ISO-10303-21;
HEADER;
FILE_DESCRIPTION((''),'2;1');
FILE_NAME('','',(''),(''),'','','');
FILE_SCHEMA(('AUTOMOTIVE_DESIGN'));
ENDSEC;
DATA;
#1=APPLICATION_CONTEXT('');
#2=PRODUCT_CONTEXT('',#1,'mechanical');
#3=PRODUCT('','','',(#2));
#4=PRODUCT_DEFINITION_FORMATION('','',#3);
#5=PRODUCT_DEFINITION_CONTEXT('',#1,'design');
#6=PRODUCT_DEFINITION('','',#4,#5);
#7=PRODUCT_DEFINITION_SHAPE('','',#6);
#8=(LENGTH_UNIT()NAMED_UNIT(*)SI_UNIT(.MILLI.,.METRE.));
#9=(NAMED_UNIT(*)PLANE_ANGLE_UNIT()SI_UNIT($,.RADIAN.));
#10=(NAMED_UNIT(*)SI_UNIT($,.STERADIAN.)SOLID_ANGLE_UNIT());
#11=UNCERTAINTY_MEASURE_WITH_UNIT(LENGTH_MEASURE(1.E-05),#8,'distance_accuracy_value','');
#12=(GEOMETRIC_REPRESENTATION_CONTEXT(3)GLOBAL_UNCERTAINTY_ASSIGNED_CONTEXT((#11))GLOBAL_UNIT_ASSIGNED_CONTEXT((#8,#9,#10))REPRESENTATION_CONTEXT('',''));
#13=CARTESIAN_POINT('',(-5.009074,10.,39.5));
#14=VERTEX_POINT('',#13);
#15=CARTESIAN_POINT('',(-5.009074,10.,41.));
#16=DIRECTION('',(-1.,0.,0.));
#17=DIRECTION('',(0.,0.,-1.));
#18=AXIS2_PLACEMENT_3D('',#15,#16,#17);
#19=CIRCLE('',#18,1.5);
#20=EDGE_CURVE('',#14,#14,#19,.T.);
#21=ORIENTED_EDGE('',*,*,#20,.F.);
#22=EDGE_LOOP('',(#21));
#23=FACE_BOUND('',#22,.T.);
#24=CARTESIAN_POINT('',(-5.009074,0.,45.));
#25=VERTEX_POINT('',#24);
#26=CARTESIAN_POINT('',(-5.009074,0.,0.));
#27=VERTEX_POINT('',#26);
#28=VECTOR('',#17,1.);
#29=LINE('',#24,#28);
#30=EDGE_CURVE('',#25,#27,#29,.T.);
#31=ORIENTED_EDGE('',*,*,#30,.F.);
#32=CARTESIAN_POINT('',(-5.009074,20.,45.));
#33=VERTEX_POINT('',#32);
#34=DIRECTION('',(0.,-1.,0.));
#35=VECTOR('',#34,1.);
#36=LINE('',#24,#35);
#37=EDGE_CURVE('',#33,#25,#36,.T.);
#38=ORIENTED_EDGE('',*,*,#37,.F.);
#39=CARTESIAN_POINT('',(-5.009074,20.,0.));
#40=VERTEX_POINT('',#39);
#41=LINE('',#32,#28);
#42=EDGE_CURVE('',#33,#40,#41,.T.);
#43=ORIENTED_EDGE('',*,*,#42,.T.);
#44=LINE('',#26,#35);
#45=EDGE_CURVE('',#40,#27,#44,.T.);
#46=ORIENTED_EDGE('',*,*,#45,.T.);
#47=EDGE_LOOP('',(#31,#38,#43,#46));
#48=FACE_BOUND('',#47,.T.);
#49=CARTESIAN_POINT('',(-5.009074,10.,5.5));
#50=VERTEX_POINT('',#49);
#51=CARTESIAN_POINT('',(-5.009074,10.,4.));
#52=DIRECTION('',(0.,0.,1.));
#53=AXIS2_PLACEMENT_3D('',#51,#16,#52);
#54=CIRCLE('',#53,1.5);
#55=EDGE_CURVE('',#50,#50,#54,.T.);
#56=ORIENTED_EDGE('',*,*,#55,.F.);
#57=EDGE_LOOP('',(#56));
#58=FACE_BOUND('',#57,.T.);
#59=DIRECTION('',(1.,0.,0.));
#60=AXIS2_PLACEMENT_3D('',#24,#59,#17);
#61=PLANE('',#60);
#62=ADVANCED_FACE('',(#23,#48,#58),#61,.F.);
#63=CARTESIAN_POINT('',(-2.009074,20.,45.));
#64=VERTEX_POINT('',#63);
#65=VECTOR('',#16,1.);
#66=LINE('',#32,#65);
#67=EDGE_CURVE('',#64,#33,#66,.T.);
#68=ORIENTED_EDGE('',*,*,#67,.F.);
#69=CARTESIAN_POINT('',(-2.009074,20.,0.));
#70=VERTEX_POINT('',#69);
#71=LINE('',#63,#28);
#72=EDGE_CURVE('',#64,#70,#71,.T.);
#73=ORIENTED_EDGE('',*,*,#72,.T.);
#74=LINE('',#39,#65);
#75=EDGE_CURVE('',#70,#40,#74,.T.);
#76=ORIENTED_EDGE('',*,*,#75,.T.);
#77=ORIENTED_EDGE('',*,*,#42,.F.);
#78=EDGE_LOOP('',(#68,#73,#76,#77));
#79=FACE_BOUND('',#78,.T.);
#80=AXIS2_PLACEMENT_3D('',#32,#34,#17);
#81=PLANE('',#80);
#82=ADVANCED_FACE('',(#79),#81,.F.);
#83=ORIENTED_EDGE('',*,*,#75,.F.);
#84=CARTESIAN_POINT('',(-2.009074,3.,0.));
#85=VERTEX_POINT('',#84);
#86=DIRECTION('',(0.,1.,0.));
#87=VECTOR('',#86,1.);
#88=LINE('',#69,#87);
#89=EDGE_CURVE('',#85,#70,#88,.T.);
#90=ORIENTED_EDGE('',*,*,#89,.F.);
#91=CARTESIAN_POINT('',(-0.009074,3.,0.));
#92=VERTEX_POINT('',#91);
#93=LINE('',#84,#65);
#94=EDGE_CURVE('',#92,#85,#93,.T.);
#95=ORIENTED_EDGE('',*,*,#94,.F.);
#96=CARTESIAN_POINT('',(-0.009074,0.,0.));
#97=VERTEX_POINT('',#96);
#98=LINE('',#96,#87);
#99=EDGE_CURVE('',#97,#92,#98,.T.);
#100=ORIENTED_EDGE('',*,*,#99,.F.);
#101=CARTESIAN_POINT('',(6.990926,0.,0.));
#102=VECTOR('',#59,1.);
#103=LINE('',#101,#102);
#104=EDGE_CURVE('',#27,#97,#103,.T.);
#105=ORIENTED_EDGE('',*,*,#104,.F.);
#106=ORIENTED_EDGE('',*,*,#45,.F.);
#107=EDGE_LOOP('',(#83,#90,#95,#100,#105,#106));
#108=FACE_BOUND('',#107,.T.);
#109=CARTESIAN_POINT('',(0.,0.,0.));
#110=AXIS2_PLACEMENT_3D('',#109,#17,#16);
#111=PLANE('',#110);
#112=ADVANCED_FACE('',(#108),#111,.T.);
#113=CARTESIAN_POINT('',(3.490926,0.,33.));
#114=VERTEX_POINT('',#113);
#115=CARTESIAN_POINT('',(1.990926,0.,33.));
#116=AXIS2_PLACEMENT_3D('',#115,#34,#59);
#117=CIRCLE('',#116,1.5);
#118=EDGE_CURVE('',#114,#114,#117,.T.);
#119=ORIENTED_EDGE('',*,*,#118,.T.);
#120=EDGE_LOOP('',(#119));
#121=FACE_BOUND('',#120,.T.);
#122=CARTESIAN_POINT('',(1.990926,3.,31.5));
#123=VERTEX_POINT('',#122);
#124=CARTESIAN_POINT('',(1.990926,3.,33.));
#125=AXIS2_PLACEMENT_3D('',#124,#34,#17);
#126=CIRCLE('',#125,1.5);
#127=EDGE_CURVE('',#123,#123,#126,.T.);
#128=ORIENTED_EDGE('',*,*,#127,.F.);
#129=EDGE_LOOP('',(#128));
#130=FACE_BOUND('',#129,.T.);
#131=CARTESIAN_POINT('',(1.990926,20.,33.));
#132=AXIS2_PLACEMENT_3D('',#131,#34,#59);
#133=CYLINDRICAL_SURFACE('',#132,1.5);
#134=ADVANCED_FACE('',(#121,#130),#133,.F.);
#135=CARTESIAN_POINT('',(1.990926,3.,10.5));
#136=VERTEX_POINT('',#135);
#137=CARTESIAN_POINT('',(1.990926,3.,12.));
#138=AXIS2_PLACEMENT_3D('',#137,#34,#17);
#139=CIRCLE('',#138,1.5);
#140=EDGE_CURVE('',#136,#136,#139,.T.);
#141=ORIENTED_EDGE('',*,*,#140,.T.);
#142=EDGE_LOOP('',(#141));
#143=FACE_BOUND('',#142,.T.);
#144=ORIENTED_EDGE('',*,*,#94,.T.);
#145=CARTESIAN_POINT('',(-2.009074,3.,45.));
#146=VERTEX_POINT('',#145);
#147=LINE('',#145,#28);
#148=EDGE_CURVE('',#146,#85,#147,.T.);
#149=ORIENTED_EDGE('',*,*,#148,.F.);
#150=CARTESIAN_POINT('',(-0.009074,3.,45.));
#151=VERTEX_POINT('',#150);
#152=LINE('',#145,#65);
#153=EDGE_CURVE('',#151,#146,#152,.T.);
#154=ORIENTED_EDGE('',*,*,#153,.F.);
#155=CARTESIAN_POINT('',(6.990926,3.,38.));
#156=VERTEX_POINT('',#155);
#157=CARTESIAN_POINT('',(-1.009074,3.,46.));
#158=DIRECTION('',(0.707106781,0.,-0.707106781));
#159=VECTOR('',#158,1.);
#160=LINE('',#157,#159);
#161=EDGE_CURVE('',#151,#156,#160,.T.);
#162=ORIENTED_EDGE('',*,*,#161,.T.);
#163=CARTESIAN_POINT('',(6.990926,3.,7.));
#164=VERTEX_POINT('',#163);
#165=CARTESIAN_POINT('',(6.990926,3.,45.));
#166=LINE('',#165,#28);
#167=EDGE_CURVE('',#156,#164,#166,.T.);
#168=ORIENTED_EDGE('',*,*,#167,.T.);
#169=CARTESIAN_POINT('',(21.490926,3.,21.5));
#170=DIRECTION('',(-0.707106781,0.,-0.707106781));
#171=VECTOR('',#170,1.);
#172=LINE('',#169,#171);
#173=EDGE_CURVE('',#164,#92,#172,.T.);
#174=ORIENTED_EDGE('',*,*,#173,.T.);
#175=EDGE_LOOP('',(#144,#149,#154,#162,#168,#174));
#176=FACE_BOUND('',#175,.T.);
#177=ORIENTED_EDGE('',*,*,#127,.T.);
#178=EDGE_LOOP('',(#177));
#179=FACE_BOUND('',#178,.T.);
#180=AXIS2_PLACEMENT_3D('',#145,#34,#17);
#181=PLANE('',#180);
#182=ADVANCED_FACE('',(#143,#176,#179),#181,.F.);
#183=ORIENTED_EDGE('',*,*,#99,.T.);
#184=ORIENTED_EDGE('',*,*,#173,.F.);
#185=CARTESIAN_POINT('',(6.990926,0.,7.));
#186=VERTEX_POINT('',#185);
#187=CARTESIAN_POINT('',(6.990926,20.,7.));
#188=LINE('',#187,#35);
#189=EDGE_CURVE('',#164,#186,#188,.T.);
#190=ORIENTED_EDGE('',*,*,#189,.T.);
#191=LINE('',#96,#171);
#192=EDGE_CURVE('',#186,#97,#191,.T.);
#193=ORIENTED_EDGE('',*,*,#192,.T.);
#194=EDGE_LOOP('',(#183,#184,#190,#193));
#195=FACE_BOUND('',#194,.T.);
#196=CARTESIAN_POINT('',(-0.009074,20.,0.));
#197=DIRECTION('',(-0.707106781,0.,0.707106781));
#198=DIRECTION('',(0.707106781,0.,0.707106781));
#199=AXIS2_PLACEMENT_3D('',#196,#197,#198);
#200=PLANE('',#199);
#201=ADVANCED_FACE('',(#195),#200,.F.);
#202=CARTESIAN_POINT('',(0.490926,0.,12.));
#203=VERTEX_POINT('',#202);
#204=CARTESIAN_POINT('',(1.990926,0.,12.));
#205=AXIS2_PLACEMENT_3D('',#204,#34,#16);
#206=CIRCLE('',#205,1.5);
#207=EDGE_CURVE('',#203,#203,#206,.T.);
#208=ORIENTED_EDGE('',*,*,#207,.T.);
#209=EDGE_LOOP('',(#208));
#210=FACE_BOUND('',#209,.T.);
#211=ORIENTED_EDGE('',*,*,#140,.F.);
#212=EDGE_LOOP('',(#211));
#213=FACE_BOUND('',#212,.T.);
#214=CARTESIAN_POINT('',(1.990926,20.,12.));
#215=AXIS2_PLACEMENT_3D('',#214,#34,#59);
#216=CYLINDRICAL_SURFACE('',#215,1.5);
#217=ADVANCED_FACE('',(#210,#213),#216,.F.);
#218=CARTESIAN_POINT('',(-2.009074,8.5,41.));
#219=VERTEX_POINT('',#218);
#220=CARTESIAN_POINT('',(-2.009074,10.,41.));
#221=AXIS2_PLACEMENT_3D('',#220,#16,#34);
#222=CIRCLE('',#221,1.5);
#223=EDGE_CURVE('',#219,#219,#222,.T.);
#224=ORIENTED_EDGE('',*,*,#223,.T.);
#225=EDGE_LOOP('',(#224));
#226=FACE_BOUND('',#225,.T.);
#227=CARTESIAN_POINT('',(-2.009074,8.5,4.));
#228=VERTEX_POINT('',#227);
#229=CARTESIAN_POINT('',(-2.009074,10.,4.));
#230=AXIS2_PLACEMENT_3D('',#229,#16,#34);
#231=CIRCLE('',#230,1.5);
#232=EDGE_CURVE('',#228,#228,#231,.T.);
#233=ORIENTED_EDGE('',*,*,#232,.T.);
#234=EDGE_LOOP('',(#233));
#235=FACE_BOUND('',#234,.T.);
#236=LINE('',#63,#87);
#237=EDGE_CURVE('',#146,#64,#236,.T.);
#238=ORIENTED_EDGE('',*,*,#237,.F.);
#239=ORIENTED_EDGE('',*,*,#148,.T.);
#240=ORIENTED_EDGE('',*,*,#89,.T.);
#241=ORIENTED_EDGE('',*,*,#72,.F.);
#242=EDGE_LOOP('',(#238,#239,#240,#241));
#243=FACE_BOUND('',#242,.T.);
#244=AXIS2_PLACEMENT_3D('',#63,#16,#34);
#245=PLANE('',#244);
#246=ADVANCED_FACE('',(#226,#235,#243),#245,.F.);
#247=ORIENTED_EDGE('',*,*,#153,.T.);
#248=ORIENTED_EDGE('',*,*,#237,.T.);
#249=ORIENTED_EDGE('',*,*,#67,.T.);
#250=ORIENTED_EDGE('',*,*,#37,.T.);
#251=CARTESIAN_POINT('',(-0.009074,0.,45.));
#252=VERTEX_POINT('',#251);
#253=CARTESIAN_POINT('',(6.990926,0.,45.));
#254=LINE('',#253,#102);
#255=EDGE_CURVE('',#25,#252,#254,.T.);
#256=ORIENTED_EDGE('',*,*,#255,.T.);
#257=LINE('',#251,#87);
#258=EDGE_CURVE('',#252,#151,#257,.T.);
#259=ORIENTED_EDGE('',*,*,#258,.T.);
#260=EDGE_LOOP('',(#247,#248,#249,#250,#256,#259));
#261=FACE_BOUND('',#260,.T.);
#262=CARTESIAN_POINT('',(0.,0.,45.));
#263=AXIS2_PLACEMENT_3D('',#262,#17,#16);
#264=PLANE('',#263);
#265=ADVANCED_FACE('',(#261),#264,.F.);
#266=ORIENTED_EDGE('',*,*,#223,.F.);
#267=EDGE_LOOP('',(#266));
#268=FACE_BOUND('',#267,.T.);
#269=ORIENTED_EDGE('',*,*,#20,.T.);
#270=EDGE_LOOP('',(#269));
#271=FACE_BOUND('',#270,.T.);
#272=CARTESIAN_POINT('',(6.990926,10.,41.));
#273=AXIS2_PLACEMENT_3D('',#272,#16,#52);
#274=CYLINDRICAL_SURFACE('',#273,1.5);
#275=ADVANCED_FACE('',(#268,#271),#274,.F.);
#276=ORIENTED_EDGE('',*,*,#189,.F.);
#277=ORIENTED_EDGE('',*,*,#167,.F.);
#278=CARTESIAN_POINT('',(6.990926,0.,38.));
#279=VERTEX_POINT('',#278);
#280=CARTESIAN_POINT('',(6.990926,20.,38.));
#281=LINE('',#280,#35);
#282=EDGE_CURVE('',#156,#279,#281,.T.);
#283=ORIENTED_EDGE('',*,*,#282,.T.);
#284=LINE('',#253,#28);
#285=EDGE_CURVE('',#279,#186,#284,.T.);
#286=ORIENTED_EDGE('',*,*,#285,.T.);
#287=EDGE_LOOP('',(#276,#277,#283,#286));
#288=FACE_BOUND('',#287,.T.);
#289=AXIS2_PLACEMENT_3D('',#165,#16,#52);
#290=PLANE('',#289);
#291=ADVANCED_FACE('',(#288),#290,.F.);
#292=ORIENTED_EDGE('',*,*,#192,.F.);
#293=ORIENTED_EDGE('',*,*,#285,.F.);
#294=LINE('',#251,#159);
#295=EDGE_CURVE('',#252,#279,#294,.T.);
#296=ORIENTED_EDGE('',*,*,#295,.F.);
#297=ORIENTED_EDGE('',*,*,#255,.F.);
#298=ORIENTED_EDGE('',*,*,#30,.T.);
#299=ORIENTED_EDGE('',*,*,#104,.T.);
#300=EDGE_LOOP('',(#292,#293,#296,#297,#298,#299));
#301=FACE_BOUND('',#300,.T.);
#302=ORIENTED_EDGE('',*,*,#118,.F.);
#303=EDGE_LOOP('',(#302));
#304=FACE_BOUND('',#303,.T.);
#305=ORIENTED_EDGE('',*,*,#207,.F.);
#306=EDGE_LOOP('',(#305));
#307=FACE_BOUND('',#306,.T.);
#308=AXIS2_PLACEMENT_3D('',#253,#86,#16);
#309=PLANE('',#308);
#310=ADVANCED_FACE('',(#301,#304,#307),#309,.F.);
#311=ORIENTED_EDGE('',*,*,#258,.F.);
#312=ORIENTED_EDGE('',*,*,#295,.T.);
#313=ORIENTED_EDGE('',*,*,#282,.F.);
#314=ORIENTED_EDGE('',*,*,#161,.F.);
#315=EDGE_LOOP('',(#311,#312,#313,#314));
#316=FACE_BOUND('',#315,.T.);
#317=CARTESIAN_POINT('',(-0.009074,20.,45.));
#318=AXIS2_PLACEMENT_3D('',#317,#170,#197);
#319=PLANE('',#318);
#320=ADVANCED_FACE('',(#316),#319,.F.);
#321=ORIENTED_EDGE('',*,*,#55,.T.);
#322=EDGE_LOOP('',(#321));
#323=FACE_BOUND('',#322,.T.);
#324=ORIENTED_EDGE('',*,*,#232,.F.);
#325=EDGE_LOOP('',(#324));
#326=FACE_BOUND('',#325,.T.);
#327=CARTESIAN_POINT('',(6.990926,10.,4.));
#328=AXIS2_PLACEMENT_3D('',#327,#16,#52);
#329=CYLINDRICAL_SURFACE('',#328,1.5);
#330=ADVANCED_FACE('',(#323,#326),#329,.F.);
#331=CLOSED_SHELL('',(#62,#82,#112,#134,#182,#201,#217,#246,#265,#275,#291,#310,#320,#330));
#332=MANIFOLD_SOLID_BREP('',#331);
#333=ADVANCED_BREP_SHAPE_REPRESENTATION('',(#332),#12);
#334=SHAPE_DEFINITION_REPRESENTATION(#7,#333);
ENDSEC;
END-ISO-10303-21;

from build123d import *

# Parameters (mm, degrees)
EXTRUDE_1_DEPTH     = 45
SKETCH_3_R          = 1.5
CUT_EXTRUDE_1_DEPTH = 50.738044303
SKETCH_2_R          = 1.5
CUT_EXTRUDE_2_DEPTH = 51.68530359
CUT_EXTRUDE_3_DEPTH = 50.738044303


with BuildPart() as part:
    # 草图1 → 凸台-拉伸1 (new body)
    with BuildSketch(Plane.XY):
        Polygon((-2.009073658, 20), (-2.009073658, 3), (6.990926342, 3), (6.990926342, 0), (-5.009073658, 0), (-5.009073658, 20), align=None)
    extrude(amount=EXTRUDE_1_DEPTH)

    # 草图3 → 切除-拉伸1 (cut, through all)
    with BuildSketch(Plane.XZ):
        with Locations((1.990926342, 33)):
            Circle(SKETCH_3_R)
        with Locations(Location((1.990926342, 12, 0), (0, 0, 270))):
            Circle(SKETCH_3_R)
    extrude(amount=-CUT_EXTRUDE_1_DEPTH, mode=Mode.SUBTRACT)

    # 草图2 → 切除-拉伸2 (cut, through all)
    with BuildSketch(Plane.ZY.offset(5.009073658)):
        with Locations((4, 10)):
            Circle(SKETCH_2_R)
        with Locations(Location((41, 10, 0), (0, 0, 270))):
            Circle(SKETCH_2_R)
    extrude(amount=-CUT_EXTRUDE_2_DEPTH, mode=Mode.SUBTRACT)

    # 草图4 → 切除-拉伸3 (cut, through all)
    with BuildSketch(Plane.XZ):
        Polygon((-0.009073658, 45), (6.990926342, 38), (6.990926342, 45), align=None)
        Polygon((6.990926342, 7), (6.990926342, 0), (-0.009073658, 0), align=None)
    extrude(amount=-CUT_EXTRUDE_3_DEPTH, mode=Mode.SUBTRACT)


solid = part.part
